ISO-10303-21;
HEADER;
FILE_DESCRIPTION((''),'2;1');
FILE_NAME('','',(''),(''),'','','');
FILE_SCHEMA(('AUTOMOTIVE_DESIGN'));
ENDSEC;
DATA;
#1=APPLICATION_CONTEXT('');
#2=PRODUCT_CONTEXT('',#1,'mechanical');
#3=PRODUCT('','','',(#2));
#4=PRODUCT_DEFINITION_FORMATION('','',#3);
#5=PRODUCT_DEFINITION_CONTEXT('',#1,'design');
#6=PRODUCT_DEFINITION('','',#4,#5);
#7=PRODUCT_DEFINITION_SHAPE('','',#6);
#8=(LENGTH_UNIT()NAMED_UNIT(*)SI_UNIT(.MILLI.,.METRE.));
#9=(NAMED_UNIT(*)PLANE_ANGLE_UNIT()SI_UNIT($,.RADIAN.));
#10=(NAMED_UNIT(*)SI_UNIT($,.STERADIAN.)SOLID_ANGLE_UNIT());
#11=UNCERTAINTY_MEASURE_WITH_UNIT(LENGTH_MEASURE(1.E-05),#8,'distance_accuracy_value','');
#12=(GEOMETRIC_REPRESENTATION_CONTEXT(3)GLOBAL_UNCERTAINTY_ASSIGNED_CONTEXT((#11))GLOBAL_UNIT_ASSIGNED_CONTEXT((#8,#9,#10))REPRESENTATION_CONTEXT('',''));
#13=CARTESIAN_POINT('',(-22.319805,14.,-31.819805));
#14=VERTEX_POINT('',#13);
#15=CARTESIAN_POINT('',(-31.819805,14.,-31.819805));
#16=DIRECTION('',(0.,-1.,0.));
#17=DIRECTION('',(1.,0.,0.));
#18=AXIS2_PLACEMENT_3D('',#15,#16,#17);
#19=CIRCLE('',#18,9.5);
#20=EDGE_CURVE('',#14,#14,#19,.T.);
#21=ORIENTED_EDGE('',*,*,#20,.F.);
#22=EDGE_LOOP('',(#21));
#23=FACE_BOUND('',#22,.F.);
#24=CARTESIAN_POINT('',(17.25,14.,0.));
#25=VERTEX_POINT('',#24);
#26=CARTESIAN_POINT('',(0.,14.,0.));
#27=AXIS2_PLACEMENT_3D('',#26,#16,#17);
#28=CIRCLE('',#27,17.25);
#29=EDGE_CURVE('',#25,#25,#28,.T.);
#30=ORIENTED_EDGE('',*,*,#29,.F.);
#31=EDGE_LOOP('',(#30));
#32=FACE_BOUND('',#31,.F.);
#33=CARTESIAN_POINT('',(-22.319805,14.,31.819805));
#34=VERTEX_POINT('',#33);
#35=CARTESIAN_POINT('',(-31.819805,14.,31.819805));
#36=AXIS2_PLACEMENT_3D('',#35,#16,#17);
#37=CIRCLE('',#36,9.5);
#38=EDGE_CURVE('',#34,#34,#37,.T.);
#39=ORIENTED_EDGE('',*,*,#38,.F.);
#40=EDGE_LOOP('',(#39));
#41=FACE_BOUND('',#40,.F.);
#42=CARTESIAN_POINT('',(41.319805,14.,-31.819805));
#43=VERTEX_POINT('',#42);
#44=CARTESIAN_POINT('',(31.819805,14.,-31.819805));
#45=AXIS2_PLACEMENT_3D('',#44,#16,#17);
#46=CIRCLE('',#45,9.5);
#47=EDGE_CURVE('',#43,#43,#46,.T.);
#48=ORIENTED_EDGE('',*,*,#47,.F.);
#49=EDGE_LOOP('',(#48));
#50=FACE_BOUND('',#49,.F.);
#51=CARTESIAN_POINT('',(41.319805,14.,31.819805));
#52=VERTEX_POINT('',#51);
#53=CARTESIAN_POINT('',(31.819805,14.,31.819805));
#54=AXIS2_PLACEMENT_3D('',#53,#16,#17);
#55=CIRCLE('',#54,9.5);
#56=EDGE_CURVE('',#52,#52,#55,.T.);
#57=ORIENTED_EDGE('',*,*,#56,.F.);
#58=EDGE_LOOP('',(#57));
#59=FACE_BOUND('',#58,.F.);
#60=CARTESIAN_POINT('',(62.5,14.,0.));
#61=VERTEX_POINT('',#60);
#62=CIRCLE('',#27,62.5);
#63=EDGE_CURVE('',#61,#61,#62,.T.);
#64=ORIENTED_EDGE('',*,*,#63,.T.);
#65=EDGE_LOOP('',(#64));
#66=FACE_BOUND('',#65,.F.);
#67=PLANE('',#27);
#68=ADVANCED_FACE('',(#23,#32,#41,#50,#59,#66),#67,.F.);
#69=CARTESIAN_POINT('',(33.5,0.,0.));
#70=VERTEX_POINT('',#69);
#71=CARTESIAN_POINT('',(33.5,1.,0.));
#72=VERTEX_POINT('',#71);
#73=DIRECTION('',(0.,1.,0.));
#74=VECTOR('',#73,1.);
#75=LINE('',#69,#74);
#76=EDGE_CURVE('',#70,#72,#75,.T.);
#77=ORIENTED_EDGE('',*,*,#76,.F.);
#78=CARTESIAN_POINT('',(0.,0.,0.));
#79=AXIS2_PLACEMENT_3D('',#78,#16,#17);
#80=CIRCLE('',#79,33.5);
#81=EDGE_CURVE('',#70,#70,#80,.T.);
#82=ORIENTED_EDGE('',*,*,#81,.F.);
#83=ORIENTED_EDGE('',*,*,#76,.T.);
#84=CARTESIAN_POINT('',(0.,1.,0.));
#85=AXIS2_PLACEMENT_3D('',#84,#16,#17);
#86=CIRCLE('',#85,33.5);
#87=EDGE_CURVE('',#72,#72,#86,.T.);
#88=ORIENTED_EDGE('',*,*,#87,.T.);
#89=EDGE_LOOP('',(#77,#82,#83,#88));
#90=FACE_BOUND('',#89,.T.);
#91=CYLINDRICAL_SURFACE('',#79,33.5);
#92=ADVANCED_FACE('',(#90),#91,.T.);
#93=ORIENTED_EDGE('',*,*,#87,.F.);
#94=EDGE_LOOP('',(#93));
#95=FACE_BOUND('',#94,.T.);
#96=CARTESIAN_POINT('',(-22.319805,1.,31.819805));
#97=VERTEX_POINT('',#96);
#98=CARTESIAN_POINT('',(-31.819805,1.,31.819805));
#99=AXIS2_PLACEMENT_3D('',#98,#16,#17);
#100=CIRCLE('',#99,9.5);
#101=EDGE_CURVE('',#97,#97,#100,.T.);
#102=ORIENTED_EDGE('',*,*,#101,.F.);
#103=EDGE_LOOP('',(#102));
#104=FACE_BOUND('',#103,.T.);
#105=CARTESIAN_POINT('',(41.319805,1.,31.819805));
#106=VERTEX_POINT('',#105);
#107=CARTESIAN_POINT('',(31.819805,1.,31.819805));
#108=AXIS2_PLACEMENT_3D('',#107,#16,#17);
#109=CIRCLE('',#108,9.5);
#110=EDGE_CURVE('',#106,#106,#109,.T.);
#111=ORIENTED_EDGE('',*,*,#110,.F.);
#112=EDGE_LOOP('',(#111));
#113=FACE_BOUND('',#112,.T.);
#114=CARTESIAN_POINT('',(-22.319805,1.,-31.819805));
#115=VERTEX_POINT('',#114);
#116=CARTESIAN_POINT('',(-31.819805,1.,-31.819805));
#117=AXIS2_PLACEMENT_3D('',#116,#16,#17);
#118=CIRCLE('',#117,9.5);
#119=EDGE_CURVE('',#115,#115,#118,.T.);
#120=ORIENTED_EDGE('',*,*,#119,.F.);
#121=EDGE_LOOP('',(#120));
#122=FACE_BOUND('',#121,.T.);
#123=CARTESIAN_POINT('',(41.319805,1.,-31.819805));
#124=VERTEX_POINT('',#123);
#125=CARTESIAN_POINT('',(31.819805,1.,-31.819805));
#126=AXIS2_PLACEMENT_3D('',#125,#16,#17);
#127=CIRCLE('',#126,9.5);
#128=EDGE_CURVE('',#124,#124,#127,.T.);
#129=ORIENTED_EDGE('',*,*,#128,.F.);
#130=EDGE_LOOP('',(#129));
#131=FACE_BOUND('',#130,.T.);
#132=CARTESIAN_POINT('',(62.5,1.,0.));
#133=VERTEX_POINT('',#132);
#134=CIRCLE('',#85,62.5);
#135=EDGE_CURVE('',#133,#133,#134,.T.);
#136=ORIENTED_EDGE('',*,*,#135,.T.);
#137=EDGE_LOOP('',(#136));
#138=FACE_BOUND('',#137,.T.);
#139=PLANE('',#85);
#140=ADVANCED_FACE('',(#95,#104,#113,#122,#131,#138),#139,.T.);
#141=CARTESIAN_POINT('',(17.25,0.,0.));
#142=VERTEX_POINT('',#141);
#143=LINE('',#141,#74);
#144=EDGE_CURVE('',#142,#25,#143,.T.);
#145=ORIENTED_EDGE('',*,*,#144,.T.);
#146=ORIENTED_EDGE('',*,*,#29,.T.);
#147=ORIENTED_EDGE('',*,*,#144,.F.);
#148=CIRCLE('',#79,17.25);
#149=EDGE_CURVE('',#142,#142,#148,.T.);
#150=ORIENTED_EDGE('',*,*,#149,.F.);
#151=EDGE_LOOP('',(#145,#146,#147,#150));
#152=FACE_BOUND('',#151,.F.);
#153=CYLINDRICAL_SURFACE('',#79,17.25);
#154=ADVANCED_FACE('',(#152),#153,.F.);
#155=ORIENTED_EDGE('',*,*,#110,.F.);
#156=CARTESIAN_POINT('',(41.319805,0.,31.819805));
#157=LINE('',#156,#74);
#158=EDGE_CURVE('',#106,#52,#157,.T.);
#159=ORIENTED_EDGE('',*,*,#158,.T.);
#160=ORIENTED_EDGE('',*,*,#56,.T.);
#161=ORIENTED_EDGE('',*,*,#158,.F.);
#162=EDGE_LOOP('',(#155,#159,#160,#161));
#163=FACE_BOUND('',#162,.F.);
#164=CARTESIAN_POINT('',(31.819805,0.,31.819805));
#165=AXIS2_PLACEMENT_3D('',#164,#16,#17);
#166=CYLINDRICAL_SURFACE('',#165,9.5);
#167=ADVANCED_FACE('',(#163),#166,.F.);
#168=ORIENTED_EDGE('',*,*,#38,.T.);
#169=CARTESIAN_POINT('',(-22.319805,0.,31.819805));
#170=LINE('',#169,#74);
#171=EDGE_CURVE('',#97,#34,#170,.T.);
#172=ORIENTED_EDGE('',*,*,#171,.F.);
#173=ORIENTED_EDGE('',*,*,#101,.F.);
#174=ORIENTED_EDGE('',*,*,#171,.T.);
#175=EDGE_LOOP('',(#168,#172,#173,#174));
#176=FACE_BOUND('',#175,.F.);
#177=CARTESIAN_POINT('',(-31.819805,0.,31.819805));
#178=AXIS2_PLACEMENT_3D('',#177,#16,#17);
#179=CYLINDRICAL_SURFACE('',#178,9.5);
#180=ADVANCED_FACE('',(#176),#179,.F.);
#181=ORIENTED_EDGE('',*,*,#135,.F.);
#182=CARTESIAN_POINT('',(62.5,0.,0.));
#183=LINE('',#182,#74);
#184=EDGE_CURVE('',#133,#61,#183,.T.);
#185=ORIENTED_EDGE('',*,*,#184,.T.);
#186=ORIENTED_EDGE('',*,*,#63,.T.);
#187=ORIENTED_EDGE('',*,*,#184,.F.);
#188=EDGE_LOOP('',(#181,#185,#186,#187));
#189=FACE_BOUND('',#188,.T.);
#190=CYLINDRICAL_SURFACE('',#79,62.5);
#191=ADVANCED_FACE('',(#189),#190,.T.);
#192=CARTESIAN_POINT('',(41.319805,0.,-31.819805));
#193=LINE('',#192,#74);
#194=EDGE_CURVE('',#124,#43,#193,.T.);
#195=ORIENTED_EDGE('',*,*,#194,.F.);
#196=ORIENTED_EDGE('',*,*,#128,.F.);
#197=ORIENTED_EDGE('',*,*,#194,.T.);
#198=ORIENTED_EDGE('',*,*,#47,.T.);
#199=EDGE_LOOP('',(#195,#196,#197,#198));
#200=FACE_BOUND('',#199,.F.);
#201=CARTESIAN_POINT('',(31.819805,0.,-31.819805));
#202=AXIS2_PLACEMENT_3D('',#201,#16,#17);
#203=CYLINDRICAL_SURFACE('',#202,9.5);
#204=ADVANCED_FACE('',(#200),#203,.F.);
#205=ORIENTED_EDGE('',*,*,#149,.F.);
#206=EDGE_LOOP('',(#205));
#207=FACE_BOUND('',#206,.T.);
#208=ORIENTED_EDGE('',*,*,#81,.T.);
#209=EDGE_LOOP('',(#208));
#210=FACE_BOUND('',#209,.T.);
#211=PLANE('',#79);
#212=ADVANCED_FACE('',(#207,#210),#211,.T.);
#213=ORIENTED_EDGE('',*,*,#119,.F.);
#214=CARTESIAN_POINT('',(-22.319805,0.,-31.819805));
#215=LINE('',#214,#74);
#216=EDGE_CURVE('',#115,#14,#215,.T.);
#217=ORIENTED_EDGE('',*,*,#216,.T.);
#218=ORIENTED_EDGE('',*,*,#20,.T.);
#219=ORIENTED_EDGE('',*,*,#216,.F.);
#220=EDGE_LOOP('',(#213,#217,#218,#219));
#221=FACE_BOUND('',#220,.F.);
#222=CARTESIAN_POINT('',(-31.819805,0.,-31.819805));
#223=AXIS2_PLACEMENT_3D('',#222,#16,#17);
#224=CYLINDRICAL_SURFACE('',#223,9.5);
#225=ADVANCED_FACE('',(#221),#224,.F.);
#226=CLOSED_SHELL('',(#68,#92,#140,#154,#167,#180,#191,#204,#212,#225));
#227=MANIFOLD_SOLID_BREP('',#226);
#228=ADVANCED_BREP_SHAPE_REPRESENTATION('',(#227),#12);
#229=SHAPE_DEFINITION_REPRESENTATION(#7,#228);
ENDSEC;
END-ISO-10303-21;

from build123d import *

# Parameters (mm, degrees)
F0_R     = 62.5
F0_R_2   = 17.25
F1_DEPTH = 14
F2_R     = 62.5
F2_R_2   = 33.5
F3_DEPTH = 1
F4_R     = 9.5
F5_DEPTH = 14.001


with BuildPart() as f1:
    # F0 (on Front) → F1 (new body)
    with BuildSketch(Plane.XZ):
        Circle(F0_R)
        Circle(F0_R_2, mode=Mode.SUBTRACT)
    extrude(amount=-F1_DEPTH)

    # F2 (on face) → F3 (cut)
    with BuildSketch(Plane.XZ):
        Circle(F2_R)
        Circle(F2_R_2, mode=Mode.SUBTRACT)
    extrude(amount=-F3_DEPTH, mode=Mode.SUBTRACT)

    # F4 (on face) → F5 (cut, through all)
    with BuildSketch(Plane.XZ):
        with Locations((-31.819805, 31.819805)):
            Circle(F4_R)
        with Locations((-31.819805, -31.819805)):
            Circle(F4_R)
        with Locations((31.819805, -31.819805)):
            Circle(F4_R)
        with Locations((31.819805, 31.819805)):
            Circle(F4_R)
    extrude(amount=-F5_DEPTH, mode=Mode.SUBTRACT)


solid = f1.part
